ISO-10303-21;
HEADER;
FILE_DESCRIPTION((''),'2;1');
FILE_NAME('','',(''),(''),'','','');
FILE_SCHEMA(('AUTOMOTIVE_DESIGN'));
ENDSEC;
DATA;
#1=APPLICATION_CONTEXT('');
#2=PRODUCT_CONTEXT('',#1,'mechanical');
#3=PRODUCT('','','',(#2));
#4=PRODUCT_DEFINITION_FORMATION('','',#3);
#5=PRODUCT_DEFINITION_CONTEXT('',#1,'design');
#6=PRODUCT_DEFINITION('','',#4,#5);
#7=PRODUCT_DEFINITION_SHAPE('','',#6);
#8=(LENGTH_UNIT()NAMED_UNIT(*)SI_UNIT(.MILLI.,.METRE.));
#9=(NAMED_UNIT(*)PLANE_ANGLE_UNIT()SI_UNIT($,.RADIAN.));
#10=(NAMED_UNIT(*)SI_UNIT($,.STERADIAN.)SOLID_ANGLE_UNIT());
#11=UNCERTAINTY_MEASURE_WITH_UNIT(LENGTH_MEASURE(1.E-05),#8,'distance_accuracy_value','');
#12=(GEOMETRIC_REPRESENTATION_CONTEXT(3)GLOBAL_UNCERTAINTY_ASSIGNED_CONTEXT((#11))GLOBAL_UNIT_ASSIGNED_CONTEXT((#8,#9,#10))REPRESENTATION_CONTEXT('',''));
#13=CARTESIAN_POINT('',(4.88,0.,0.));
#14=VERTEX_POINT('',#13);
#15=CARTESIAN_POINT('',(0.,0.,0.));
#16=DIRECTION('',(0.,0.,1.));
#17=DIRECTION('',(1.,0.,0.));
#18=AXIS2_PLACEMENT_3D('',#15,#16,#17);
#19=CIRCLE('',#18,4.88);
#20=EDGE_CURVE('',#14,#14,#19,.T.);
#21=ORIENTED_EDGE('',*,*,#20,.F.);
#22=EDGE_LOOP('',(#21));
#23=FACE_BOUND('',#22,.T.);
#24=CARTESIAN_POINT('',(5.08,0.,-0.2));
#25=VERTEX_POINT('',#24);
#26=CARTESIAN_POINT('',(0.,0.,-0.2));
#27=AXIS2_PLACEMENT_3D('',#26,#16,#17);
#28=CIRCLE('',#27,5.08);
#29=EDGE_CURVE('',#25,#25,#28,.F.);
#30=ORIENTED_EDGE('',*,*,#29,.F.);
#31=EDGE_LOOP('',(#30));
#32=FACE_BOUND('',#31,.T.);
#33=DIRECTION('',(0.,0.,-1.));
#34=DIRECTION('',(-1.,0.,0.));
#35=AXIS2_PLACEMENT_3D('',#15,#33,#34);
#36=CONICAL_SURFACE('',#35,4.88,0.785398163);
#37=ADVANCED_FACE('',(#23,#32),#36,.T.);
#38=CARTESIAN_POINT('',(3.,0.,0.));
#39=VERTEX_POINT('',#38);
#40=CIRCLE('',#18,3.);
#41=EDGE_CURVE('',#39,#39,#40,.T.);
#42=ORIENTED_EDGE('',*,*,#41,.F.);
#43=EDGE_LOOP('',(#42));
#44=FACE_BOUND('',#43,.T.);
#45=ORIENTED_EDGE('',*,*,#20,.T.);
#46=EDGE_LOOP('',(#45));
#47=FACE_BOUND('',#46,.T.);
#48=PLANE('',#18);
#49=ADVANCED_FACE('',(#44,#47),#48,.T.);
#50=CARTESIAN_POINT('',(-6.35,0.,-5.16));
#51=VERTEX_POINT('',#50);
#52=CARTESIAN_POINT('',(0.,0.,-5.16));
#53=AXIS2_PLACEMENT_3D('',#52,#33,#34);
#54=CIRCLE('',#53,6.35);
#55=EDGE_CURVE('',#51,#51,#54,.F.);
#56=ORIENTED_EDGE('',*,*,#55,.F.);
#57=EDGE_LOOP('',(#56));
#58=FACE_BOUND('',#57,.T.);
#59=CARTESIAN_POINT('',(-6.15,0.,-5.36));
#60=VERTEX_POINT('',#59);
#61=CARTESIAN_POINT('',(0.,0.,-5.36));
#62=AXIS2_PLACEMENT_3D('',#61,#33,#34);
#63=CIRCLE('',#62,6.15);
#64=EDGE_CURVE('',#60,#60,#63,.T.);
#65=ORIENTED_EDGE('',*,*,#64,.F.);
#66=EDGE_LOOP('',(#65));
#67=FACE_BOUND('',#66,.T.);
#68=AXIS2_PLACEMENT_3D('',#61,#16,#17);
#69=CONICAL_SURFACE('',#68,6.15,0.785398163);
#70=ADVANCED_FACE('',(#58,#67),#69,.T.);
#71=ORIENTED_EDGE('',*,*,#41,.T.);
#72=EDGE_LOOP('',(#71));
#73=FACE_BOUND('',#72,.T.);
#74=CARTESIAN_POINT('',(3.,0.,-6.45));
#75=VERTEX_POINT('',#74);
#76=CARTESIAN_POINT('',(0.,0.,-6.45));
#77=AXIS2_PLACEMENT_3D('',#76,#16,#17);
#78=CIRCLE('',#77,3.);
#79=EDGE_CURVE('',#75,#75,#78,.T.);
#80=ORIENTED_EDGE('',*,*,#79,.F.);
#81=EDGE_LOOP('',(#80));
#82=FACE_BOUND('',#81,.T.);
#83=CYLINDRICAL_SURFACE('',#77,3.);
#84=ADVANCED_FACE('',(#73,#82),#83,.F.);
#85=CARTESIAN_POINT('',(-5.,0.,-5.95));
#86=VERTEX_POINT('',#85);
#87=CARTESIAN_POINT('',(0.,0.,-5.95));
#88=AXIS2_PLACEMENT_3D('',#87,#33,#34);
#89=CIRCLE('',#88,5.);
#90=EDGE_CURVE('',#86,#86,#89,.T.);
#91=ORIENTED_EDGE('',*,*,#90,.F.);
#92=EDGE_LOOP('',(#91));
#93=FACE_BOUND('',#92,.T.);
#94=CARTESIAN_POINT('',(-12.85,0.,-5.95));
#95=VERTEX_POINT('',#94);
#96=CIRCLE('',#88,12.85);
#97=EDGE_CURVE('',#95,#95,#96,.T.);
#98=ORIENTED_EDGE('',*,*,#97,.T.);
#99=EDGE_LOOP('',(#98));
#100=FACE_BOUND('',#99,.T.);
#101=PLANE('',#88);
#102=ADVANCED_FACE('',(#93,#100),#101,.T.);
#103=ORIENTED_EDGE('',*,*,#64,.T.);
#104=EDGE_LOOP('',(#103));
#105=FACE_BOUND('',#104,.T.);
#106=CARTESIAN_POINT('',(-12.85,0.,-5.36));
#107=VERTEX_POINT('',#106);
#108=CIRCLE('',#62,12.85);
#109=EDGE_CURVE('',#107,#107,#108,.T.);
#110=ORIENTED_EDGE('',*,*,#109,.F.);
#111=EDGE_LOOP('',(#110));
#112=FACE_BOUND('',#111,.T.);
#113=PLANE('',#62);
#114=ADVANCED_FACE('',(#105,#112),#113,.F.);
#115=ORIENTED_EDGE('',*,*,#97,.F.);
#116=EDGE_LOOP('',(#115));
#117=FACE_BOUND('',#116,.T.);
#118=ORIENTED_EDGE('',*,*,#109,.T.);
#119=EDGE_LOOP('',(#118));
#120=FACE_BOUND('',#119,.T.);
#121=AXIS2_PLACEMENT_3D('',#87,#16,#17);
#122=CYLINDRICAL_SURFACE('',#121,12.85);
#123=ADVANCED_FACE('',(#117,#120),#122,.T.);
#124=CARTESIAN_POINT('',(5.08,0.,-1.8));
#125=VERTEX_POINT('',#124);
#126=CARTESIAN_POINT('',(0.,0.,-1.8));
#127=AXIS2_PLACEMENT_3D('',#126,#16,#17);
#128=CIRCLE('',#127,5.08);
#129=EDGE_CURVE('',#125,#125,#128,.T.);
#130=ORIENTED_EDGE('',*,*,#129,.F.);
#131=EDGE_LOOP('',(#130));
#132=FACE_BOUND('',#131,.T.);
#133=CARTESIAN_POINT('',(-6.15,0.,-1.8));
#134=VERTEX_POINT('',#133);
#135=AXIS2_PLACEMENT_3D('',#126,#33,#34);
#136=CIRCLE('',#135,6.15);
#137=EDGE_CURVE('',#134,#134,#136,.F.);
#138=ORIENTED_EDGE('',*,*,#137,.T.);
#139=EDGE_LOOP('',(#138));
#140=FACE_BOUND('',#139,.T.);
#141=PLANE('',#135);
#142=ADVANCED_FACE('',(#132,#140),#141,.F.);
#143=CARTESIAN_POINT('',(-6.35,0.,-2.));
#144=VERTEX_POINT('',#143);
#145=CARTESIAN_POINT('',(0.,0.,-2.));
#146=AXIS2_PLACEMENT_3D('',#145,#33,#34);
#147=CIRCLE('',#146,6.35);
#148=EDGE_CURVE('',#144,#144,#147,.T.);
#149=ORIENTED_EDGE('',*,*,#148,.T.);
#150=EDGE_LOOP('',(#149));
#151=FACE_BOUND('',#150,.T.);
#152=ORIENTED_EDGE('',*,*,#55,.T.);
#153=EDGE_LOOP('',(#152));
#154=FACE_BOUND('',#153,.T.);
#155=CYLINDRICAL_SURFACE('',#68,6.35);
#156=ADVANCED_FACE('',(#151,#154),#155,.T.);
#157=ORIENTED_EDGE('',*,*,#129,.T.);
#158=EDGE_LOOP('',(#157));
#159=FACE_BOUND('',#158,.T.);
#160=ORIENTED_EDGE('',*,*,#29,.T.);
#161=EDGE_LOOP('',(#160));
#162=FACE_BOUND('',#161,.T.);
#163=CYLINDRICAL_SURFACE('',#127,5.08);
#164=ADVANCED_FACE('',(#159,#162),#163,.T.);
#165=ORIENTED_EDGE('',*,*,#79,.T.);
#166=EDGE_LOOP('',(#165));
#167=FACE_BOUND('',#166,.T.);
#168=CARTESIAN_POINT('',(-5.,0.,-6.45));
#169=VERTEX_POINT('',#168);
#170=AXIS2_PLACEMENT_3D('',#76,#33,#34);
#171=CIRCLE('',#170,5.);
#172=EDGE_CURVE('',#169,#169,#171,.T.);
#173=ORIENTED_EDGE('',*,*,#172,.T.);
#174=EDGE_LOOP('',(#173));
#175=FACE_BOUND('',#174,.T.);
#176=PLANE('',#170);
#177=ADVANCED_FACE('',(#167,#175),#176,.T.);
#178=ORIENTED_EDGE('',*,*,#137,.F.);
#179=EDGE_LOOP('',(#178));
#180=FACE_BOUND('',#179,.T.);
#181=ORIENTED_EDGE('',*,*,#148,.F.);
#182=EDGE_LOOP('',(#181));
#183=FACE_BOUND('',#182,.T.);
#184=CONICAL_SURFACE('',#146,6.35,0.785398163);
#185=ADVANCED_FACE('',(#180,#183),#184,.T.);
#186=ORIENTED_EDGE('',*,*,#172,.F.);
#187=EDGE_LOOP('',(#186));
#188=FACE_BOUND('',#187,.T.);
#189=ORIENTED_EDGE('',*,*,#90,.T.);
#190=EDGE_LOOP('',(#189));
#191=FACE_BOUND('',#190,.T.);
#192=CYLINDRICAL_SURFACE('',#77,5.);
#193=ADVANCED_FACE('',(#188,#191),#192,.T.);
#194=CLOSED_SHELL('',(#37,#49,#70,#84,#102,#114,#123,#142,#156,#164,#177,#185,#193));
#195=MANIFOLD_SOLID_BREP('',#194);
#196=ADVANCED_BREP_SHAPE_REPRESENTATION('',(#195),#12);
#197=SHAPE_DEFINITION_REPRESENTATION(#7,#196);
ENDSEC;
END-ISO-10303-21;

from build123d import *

# Parameters (mm, degrees)
SKETCH1_R           = 5.08
BOSS_EXTRUDE1_DEPTH = 1.8
SKETCH2_R           = 6.35
BOSS_EXTRUDE2_DEPTH = 3.56
CHAMFER1_SIZE       = 0.2
SKETCH3_R           = 12.85
BOSS_EXTRUDE3_DEPTH = 0.59
SKETCH4_R           = 5
BOSS_EXTRUDE4_DEPTH = 0.5
SKETCH5_R           = 3
CUT_EXTRUDE1_DEPTH  = 7.45


with BuildPart() as part:
    # Sketch1 → Boss-Extrude1 (new body)
    with BuildSketch(Plane.XY):
        Circle(SKETCH1_R)
    extrude(amount=-BOSS_EXTRUDE1_DEPTH)

    # Sketch2 → Boss-Extrude2 (add)
    with BuildSketch(Plane(origin=(0, 0, -1.8), x_dir=(-1, 0, 0), z_dir=(0, 0, -1))):
        Circle(SKETCH2_R)
    extrude(amount=BOSS_EXTRUDE2_DEPTH)

    # Chamfer1
    chamfer1_edges = [part.edges().sort_by_distance(p)[0] for p in [
        (-5.08, 0, 0),
        (6.35, 0, -1.8),
        (6.35, 0, -5.36),
    ]]
    chamfer(chamfer1_edges, length=CHAMFER1_SIZE)

    # Sketch3 → Boss-Extrude3 (add)
    with BuildSketch(Plane(origin=(0, 0, -5.36), x_dir=(-1, 0, 0), z_dir=(0, 0, -1))):
        Circle(SKETCH3_R)
    extrude(amount=BOSS_EXTRUDE3_DEPTH)

    # Sketch4 → Boss-Extrude4 (add)
    with BuildSketch(Plane(origin=(0, 0, -5.95), x_dir=(-1, 0, 0), z_dir=(0, 0, -1))):
        Circle(SKETCH4_R)
    extrude(amount=BOSS_EXTRUDE4_DEPTH)

    # Sketch5 → Cut-Extrude1 (cut, through all)
    with BuildSketch(Plane.XY):
        Circle(SKETCH5_R)
    extrude(amount=-CUT_EXTRUDE1_DEPTH, mode=Mode.SUBTRACT)


solid = part.part
